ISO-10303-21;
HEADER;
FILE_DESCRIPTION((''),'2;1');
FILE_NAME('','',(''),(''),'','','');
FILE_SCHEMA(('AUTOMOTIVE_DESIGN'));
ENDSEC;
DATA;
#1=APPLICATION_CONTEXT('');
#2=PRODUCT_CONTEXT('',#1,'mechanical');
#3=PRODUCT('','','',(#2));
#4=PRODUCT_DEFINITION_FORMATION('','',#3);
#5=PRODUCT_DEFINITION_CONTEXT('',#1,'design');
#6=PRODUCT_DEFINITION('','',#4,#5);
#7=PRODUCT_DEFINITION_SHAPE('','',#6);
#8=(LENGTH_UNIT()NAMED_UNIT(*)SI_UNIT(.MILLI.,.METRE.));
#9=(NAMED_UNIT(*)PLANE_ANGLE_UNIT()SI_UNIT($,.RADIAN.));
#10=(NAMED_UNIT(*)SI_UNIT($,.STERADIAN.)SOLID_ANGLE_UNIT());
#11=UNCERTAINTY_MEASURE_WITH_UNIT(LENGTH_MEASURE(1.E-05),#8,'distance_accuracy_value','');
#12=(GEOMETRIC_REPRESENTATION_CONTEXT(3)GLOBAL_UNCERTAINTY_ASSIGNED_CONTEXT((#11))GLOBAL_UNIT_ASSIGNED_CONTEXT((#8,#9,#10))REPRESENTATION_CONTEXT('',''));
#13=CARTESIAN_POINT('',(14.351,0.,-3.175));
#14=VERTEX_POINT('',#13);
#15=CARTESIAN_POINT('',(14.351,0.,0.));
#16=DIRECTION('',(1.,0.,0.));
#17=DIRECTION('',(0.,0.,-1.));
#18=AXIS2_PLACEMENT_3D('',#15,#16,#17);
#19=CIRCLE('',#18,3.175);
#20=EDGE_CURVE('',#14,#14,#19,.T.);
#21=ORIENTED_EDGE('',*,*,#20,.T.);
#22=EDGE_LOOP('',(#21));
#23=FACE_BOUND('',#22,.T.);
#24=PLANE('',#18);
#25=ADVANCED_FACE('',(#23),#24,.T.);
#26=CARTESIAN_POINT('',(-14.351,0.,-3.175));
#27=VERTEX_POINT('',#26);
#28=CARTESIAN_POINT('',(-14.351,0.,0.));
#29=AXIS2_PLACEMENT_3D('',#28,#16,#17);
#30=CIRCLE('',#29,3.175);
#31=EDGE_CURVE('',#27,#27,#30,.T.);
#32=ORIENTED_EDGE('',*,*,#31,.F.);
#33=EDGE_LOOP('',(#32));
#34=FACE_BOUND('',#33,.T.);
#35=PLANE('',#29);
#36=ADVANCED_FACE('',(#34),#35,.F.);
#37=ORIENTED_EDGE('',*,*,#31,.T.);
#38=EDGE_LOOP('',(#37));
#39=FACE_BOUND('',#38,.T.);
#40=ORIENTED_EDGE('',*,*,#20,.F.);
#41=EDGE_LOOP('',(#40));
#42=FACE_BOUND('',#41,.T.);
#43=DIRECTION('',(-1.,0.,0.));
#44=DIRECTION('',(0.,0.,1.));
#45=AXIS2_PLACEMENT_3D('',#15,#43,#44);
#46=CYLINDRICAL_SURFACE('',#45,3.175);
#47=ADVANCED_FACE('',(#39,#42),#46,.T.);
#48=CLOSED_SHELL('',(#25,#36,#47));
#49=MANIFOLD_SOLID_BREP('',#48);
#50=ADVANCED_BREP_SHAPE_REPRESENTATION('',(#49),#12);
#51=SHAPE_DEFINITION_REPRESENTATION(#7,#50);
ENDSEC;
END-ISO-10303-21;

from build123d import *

# Parameters (mm, degrees)
SKETCH1_R  = 3.175
MAIN_DEPTH = 14.351


with BuildPart() as part:
    # Sketch1 → main (new body, symmetric)
    with BuildSketch(Plane(origin=(0, 0, 0), x_dir=(0, 0, -1), z_dir=(1, 0, 0))):
        Circle(SKETCH1_R)
    extrude(amount=MAIN_DEPTH, both=True)


solid = part.part
